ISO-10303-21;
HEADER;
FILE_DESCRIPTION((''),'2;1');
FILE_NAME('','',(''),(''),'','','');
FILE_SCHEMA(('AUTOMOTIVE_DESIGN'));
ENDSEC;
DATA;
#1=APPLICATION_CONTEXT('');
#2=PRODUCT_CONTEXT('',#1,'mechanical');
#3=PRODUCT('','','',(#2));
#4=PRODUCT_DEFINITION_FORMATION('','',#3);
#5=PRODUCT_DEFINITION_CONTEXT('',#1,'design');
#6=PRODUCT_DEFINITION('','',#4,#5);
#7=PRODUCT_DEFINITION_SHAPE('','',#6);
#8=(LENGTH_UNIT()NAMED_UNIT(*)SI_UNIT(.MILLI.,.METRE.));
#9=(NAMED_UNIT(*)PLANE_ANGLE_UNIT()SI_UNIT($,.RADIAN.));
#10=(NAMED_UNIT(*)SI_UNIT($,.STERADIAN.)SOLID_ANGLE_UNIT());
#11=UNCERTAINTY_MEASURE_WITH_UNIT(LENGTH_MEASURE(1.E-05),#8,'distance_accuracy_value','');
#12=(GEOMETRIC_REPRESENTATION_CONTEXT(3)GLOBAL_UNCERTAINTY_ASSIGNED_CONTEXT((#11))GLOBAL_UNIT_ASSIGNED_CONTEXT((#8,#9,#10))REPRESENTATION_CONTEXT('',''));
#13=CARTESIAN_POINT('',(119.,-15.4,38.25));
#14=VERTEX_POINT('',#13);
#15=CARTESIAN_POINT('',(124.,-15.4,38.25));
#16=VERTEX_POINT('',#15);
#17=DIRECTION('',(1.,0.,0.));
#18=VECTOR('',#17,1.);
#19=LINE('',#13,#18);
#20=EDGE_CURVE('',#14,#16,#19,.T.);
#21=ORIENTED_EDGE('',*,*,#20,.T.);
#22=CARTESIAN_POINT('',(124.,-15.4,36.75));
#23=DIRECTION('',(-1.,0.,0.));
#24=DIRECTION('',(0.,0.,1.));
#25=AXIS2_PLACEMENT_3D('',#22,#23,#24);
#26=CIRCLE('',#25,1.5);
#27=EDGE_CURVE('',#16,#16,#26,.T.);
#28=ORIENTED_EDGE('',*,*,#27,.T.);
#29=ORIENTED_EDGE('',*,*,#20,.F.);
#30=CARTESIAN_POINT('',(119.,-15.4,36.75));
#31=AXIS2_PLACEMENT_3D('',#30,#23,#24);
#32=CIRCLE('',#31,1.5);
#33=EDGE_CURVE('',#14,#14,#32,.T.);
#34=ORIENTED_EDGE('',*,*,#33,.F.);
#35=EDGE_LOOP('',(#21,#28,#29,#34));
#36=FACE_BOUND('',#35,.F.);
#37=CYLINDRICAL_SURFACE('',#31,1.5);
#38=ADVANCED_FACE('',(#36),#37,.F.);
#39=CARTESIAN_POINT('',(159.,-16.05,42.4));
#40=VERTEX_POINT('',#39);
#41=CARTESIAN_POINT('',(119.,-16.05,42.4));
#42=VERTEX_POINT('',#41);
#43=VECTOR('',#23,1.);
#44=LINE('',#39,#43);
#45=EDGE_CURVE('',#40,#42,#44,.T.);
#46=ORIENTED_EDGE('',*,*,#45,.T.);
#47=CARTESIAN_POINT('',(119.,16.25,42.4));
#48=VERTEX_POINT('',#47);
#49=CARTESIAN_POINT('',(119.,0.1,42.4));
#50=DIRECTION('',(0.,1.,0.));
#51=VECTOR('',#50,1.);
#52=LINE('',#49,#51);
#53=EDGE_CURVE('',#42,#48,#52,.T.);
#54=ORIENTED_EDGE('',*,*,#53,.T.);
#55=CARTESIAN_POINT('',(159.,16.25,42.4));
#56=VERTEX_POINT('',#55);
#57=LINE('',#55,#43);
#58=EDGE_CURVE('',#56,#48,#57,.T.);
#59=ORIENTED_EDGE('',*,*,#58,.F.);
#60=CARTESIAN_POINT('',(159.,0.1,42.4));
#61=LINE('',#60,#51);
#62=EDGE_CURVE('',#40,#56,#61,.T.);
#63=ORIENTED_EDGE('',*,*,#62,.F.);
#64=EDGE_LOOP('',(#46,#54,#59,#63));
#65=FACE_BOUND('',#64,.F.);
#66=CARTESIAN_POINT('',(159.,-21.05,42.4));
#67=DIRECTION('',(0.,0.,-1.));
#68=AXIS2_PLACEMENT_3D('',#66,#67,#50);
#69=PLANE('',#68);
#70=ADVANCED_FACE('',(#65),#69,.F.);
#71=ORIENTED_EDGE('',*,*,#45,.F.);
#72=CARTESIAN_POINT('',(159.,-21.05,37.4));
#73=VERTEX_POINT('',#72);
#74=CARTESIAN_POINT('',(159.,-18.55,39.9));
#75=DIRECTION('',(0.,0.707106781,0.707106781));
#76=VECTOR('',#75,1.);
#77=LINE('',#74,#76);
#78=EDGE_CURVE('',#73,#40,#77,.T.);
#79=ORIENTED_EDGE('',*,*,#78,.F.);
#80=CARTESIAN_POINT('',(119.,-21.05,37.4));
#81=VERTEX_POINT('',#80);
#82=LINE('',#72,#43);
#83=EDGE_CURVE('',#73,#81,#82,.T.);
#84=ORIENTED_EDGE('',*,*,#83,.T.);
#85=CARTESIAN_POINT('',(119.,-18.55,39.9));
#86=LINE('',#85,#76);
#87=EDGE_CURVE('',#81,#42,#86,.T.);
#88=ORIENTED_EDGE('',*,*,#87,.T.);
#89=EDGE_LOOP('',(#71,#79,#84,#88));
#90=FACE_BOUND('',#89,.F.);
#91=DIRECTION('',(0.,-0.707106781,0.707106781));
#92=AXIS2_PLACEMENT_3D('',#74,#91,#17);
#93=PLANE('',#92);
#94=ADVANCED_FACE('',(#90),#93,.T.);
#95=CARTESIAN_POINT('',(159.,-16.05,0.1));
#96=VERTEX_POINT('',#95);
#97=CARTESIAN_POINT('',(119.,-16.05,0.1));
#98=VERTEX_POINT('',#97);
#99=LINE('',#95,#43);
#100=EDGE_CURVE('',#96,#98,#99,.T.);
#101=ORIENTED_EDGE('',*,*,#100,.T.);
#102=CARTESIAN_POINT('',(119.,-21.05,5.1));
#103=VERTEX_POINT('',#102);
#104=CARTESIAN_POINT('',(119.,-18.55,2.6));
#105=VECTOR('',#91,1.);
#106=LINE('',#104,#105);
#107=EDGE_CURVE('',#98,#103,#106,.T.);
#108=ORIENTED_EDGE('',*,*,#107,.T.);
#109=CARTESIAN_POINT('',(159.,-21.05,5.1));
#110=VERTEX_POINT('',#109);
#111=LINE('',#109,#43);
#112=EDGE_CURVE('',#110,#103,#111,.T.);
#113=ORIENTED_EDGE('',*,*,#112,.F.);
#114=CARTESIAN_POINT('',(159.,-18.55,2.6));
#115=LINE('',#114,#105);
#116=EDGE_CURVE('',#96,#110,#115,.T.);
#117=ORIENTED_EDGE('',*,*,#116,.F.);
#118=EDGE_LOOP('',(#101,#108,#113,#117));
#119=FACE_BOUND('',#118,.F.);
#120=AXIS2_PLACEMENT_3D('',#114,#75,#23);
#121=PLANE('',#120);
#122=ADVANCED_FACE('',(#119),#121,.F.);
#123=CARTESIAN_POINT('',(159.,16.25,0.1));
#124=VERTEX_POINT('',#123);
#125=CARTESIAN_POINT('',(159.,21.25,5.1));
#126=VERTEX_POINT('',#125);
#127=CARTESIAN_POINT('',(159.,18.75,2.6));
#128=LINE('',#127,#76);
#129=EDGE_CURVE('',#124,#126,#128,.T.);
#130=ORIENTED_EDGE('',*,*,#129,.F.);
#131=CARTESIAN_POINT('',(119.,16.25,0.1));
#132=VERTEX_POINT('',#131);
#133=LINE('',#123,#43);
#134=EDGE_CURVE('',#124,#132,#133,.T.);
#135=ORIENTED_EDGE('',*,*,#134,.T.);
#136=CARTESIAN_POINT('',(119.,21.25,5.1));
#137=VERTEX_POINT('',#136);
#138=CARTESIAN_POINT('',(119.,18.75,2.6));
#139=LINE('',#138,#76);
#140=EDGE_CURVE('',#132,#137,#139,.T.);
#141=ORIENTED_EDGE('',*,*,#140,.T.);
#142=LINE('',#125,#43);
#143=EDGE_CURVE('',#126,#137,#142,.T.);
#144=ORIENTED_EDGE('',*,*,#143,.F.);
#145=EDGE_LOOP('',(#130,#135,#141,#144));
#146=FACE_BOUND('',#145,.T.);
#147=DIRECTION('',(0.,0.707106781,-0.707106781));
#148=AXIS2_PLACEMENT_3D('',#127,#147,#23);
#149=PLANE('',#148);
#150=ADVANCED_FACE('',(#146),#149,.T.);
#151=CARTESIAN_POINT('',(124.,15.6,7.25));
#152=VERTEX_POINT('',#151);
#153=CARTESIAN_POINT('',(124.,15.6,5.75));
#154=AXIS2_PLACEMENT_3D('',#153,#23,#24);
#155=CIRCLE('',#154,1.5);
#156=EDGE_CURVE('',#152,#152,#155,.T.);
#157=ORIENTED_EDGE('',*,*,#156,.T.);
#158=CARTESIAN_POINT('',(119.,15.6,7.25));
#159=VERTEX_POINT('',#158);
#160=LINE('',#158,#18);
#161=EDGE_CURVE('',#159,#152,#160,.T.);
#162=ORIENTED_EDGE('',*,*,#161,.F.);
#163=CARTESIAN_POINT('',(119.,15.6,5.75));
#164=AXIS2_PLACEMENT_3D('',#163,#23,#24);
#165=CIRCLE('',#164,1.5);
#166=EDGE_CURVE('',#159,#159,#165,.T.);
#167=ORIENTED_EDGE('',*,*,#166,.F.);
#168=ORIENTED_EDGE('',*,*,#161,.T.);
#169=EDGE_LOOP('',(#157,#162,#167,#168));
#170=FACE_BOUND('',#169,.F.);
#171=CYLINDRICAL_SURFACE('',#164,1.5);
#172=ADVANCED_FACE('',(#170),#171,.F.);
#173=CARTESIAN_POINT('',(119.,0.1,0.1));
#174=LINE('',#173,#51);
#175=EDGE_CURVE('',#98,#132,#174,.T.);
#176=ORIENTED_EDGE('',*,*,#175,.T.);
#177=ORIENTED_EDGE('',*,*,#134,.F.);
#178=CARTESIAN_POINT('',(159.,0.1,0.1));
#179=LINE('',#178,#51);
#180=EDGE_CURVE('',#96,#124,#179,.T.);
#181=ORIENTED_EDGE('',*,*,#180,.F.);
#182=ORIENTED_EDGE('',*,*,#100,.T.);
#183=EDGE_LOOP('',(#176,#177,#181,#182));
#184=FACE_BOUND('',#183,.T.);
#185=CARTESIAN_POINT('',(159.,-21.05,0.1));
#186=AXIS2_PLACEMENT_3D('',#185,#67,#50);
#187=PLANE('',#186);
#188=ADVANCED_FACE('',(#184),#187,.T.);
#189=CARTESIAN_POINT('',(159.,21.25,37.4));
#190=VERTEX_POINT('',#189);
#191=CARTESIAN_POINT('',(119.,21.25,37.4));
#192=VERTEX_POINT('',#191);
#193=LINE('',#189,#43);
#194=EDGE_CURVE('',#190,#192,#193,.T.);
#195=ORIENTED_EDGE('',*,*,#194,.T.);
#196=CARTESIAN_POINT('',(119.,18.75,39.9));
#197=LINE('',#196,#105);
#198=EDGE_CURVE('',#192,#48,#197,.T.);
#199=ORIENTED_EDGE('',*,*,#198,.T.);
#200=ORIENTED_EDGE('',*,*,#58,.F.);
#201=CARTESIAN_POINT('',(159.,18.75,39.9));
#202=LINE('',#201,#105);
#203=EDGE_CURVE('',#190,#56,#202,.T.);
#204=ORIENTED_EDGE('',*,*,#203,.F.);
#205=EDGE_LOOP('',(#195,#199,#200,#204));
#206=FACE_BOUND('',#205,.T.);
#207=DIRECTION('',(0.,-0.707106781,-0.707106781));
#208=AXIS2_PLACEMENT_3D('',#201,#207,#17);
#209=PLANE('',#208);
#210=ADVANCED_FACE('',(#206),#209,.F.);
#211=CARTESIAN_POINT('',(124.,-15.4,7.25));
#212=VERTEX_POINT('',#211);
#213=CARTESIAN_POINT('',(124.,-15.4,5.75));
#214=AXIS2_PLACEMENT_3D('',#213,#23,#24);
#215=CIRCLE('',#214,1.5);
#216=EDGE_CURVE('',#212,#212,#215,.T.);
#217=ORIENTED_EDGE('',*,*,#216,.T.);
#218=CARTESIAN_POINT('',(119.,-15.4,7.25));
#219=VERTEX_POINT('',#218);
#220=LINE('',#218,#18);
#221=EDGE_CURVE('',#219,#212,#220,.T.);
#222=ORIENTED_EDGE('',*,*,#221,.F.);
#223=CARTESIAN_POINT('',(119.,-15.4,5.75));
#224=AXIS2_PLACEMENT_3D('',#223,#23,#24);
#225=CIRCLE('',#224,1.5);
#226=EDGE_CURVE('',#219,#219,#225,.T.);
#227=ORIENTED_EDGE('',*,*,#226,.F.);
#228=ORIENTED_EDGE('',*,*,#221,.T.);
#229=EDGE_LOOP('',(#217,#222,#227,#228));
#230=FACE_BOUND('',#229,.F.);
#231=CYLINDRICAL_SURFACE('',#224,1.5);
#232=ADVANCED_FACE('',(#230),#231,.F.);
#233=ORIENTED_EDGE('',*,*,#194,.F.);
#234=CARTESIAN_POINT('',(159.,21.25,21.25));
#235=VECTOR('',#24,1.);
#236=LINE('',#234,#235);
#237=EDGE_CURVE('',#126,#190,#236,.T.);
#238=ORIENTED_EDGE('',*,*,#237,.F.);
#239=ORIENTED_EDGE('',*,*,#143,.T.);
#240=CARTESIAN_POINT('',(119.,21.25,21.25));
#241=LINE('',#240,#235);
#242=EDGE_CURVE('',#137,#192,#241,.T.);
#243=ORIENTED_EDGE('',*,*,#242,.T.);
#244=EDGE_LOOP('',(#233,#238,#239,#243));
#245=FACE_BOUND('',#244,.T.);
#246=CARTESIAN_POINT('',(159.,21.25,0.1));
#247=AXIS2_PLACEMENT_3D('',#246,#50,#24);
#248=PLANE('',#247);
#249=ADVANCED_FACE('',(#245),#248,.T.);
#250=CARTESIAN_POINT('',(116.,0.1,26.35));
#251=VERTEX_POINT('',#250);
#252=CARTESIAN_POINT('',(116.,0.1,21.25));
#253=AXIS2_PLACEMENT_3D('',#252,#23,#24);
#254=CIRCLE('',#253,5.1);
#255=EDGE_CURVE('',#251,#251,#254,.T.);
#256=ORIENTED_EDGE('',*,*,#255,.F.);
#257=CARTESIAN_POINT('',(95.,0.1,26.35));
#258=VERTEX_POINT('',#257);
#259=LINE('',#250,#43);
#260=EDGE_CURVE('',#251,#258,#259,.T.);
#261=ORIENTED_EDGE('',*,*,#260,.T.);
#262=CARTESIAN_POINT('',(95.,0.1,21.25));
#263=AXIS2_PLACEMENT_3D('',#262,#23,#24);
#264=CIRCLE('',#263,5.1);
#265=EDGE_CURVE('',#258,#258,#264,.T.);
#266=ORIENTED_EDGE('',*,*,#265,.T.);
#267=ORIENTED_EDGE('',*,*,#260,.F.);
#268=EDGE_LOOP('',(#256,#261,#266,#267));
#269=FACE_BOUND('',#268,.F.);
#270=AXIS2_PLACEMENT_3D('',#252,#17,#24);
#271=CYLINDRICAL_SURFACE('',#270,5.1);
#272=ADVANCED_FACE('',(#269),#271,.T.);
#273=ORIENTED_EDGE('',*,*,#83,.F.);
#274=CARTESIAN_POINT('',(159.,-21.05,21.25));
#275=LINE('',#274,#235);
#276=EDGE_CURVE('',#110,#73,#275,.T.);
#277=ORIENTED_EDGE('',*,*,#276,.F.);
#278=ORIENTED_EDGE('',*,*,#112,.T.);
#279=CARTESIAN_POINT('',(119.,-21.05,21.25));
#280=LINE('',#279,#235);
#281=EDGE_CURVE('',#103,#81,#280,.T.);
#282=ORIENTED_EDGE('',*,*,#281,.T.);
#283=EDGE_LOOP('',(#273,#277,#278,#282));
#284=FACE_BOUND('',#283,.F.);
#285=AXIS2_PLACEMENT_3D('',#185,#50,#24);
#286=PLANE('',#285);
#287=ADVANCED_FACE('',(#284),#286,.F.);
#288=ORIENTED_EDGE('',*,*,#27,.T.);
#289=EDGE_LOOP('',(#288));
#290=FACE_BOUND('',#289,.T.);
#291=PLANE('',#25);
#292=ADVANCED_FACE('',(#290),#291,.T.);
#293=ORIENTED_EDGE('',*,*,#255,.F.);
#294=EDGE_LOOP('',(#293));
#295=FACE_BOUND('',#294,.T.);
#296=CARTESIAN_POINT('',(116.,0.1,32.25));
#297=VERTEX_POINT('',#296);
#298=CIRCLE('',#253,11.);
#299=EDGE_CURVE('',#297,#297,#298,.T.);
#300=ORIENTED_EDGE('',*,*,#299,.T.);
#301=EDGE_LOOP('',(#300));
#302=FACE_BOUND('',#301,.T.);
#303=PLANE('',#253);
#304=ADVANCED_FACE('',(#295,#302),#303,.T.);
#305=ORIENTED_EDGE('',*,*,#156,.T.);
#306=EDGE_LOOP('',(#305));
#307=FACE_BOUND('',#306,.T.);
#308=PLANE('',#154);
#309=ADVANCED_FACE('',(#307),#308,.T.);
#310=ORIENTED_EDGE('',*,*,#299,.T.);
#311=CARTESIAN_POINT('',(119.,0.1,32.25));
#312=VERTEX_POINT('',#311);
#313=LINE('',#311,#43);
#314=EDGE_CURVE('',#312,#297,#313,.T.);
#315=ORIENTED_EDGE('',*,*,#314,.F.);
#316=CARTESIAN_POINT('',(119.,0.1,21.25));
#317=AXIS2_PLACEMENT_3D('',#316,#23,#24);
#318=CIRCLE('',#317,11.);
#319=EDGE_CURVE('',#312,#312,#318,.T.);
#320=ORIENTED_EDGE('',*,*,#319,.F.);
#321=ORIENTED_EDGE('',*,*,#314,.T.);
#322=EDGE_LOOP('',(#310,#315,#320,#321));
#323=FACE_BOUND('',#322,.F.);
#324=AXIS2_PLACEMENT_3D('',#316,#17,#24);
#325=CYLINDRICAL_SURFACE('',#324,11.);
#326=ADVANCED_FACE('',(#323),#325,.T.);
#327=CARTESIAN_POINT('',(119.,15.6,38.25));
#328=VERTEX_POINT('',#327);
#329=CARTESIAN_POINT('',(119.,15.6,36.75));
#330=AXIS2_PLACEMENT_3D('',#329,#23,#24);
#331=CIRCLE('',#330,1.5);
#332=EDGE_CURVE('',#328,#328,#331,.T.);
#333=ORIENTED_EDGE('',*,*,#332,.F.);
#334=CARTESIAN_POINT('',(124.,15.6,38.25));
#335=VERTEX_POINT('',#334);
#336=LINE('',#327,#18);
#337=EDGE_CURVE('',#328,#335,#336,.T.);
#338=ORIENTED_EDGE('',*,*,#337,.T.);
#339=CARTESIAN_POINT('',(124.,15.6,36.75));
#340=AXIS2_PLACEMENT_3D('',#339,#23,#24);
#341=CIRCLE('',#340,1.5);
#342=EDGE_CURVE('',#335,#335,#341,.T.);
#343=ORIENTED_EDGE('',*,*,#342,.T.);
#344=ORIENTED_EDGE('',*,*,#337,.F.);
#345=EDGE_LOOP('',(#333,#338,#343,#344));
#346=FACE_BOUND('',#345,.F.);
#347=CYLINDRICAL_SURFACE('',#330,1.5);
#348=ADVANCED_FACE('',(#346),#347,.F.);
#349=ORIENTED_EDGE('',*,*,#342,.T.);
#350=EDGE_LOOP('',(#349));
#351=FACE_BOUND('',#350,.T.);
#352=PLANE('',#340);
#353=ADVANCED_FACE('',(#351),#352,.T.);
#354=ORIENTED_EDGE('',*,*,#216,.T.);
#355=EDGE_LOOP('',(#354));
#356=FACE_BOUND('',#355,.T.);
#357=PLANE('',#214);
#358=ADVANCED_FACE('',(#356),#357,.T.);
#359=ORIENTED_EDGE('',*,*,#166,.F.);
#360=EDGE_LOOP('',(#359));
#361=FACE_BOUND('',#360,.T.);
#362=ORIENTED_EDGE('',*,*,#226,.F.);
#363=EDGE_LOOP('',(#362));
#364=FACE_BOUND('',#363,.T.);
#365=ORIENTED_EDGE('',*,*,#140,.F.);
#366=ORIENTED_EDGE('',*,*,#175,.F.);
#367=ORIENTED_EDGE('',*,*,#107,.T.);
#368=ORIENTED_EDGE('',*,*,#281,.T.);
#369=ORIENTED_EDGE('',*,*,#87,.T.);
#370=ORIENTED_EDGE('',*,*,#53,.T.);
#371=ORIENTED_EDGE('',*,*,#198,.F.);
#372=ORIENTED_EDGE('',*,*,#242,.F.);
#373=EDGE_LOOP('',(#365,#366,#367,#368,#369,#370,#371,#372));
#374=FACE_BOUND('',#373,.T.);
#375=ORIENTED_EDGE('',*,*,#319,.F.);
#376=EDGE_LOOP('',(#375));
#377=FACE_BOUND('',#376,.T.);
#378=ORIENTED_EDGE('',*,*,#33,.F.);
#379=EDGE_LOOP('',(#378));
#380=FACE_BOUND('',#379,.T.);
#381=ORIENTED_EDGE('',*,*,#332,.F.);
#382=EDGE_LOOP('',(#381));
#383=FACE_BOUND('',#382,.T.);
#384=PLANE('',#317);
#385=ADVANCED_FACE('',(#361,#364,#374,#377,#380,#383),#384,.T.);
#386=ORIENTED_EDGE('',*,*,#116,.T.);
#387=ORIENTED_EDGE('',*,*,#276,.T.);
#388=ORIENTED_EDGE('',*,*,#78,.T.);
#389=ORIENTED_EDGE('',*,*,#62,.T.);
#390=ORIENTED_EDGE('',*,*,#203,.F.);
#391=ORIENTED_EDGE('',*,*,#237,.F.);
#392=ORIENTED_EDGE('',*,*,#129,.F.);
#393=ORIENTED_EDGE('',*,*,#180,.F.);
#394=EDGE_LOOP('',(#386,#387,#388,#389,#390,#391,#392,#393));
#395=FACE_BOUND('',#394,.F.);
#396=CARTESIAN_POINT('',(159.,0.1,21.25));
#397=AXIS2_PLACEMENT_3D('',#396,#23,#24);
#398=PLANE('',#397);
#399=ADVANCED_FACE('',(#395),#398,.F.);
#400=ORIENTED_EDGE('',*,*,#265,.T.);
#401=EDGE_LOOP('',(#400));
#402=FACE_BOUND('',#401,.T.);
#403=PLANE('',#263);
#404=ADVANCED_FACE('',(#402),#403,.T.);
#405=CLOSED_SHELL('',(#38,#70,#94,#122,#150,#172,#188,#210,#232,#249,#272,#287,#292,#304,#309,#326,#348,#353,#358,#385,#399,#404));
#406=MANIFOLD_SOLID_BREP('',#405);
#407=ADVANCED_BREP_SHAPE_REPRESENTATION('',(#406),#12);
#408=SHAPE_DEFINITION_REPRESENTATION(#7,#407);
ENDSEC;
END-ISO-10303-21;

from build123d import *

# Parameters (mm, degrees)
SKETCH026_W             = 42.3
SKETCH026_H             = 42.3
PAD008_DEPTH            = 40
SKETCH025_R             = 11
PAD009_DEPTH            = 3
SKETCH023_R             = 5.1
PAD010_DEPTH            = 21
SKETCH027_R             = 1.5
POCKET012_DEPTH         = 5
CHAMFER002_SIZE         = 5
BODY007_PLACEMENT_ANGLE = 90


with BuildPart() as part:
    # Sketch026 → Pad008 (new body)
    with BuildSketch(Plane.XY):
        Rectangle(SKETCH026_W, SKETCH026_H)
    extrude(amount=PAD008_DEPTH)

    # Sketch025 (on Face6 of Pad008) → Pad009 (join)
    with BuildSketch(Plane.XY.offset(40)):
        Circle(SKETCH025_R)
    extrude(amount=PAD009_DEPTH)

    # Sketch023 (on Face8 of Pad009) → Pad010 (join)
    with BuildSketch(Plane.XY.offset(43)):
        Circle(SKETCH023_R)
    extrude(amount=PAD010_DEPTH)

    # Sketch027 (on Face5 of Pad010) → Pocket012 (cut)
    with BuildSketch(Plane.XY.offset(40)):
        with Locations((-15.5, 15.5)):
            Circle(SKETCH027_R)
        with Locations((15.5, 15.5)):
            Circle(SKETCH027_R)
        with Locations((15.5, -15.5)):
            Circle(SKETCH027_R)
        with Locations((-15.5, -15.5)):
            Circle(SKETCH027_R)
    extrude(amount=-POCKET012_DEPTH, mode=Mode.SUBTRACT)

    # Chamfer002
    chamfer002_edges = [part.edges().sort_by_distance(p)[0] for p in [
        (21.15, 21.15, 20),
        (21.15, -21.15, 20),
        (-21.15, 21.15, 20),
        (-21.15, -21.15, 20),
    ]]
    chamfer(chamfer002_edges, length=CHAMFER002_SIZE)


with BuildPart() as part_1:
    # Body007 placement: moved
    add(part.part.moved(Location((159, 0.1, 21.25))).rotate(Axis((159, 0.1, 21.25), (0, -1, 0)), BODY007_PLACEMENT_ANGLE))


solid = part_1.part
